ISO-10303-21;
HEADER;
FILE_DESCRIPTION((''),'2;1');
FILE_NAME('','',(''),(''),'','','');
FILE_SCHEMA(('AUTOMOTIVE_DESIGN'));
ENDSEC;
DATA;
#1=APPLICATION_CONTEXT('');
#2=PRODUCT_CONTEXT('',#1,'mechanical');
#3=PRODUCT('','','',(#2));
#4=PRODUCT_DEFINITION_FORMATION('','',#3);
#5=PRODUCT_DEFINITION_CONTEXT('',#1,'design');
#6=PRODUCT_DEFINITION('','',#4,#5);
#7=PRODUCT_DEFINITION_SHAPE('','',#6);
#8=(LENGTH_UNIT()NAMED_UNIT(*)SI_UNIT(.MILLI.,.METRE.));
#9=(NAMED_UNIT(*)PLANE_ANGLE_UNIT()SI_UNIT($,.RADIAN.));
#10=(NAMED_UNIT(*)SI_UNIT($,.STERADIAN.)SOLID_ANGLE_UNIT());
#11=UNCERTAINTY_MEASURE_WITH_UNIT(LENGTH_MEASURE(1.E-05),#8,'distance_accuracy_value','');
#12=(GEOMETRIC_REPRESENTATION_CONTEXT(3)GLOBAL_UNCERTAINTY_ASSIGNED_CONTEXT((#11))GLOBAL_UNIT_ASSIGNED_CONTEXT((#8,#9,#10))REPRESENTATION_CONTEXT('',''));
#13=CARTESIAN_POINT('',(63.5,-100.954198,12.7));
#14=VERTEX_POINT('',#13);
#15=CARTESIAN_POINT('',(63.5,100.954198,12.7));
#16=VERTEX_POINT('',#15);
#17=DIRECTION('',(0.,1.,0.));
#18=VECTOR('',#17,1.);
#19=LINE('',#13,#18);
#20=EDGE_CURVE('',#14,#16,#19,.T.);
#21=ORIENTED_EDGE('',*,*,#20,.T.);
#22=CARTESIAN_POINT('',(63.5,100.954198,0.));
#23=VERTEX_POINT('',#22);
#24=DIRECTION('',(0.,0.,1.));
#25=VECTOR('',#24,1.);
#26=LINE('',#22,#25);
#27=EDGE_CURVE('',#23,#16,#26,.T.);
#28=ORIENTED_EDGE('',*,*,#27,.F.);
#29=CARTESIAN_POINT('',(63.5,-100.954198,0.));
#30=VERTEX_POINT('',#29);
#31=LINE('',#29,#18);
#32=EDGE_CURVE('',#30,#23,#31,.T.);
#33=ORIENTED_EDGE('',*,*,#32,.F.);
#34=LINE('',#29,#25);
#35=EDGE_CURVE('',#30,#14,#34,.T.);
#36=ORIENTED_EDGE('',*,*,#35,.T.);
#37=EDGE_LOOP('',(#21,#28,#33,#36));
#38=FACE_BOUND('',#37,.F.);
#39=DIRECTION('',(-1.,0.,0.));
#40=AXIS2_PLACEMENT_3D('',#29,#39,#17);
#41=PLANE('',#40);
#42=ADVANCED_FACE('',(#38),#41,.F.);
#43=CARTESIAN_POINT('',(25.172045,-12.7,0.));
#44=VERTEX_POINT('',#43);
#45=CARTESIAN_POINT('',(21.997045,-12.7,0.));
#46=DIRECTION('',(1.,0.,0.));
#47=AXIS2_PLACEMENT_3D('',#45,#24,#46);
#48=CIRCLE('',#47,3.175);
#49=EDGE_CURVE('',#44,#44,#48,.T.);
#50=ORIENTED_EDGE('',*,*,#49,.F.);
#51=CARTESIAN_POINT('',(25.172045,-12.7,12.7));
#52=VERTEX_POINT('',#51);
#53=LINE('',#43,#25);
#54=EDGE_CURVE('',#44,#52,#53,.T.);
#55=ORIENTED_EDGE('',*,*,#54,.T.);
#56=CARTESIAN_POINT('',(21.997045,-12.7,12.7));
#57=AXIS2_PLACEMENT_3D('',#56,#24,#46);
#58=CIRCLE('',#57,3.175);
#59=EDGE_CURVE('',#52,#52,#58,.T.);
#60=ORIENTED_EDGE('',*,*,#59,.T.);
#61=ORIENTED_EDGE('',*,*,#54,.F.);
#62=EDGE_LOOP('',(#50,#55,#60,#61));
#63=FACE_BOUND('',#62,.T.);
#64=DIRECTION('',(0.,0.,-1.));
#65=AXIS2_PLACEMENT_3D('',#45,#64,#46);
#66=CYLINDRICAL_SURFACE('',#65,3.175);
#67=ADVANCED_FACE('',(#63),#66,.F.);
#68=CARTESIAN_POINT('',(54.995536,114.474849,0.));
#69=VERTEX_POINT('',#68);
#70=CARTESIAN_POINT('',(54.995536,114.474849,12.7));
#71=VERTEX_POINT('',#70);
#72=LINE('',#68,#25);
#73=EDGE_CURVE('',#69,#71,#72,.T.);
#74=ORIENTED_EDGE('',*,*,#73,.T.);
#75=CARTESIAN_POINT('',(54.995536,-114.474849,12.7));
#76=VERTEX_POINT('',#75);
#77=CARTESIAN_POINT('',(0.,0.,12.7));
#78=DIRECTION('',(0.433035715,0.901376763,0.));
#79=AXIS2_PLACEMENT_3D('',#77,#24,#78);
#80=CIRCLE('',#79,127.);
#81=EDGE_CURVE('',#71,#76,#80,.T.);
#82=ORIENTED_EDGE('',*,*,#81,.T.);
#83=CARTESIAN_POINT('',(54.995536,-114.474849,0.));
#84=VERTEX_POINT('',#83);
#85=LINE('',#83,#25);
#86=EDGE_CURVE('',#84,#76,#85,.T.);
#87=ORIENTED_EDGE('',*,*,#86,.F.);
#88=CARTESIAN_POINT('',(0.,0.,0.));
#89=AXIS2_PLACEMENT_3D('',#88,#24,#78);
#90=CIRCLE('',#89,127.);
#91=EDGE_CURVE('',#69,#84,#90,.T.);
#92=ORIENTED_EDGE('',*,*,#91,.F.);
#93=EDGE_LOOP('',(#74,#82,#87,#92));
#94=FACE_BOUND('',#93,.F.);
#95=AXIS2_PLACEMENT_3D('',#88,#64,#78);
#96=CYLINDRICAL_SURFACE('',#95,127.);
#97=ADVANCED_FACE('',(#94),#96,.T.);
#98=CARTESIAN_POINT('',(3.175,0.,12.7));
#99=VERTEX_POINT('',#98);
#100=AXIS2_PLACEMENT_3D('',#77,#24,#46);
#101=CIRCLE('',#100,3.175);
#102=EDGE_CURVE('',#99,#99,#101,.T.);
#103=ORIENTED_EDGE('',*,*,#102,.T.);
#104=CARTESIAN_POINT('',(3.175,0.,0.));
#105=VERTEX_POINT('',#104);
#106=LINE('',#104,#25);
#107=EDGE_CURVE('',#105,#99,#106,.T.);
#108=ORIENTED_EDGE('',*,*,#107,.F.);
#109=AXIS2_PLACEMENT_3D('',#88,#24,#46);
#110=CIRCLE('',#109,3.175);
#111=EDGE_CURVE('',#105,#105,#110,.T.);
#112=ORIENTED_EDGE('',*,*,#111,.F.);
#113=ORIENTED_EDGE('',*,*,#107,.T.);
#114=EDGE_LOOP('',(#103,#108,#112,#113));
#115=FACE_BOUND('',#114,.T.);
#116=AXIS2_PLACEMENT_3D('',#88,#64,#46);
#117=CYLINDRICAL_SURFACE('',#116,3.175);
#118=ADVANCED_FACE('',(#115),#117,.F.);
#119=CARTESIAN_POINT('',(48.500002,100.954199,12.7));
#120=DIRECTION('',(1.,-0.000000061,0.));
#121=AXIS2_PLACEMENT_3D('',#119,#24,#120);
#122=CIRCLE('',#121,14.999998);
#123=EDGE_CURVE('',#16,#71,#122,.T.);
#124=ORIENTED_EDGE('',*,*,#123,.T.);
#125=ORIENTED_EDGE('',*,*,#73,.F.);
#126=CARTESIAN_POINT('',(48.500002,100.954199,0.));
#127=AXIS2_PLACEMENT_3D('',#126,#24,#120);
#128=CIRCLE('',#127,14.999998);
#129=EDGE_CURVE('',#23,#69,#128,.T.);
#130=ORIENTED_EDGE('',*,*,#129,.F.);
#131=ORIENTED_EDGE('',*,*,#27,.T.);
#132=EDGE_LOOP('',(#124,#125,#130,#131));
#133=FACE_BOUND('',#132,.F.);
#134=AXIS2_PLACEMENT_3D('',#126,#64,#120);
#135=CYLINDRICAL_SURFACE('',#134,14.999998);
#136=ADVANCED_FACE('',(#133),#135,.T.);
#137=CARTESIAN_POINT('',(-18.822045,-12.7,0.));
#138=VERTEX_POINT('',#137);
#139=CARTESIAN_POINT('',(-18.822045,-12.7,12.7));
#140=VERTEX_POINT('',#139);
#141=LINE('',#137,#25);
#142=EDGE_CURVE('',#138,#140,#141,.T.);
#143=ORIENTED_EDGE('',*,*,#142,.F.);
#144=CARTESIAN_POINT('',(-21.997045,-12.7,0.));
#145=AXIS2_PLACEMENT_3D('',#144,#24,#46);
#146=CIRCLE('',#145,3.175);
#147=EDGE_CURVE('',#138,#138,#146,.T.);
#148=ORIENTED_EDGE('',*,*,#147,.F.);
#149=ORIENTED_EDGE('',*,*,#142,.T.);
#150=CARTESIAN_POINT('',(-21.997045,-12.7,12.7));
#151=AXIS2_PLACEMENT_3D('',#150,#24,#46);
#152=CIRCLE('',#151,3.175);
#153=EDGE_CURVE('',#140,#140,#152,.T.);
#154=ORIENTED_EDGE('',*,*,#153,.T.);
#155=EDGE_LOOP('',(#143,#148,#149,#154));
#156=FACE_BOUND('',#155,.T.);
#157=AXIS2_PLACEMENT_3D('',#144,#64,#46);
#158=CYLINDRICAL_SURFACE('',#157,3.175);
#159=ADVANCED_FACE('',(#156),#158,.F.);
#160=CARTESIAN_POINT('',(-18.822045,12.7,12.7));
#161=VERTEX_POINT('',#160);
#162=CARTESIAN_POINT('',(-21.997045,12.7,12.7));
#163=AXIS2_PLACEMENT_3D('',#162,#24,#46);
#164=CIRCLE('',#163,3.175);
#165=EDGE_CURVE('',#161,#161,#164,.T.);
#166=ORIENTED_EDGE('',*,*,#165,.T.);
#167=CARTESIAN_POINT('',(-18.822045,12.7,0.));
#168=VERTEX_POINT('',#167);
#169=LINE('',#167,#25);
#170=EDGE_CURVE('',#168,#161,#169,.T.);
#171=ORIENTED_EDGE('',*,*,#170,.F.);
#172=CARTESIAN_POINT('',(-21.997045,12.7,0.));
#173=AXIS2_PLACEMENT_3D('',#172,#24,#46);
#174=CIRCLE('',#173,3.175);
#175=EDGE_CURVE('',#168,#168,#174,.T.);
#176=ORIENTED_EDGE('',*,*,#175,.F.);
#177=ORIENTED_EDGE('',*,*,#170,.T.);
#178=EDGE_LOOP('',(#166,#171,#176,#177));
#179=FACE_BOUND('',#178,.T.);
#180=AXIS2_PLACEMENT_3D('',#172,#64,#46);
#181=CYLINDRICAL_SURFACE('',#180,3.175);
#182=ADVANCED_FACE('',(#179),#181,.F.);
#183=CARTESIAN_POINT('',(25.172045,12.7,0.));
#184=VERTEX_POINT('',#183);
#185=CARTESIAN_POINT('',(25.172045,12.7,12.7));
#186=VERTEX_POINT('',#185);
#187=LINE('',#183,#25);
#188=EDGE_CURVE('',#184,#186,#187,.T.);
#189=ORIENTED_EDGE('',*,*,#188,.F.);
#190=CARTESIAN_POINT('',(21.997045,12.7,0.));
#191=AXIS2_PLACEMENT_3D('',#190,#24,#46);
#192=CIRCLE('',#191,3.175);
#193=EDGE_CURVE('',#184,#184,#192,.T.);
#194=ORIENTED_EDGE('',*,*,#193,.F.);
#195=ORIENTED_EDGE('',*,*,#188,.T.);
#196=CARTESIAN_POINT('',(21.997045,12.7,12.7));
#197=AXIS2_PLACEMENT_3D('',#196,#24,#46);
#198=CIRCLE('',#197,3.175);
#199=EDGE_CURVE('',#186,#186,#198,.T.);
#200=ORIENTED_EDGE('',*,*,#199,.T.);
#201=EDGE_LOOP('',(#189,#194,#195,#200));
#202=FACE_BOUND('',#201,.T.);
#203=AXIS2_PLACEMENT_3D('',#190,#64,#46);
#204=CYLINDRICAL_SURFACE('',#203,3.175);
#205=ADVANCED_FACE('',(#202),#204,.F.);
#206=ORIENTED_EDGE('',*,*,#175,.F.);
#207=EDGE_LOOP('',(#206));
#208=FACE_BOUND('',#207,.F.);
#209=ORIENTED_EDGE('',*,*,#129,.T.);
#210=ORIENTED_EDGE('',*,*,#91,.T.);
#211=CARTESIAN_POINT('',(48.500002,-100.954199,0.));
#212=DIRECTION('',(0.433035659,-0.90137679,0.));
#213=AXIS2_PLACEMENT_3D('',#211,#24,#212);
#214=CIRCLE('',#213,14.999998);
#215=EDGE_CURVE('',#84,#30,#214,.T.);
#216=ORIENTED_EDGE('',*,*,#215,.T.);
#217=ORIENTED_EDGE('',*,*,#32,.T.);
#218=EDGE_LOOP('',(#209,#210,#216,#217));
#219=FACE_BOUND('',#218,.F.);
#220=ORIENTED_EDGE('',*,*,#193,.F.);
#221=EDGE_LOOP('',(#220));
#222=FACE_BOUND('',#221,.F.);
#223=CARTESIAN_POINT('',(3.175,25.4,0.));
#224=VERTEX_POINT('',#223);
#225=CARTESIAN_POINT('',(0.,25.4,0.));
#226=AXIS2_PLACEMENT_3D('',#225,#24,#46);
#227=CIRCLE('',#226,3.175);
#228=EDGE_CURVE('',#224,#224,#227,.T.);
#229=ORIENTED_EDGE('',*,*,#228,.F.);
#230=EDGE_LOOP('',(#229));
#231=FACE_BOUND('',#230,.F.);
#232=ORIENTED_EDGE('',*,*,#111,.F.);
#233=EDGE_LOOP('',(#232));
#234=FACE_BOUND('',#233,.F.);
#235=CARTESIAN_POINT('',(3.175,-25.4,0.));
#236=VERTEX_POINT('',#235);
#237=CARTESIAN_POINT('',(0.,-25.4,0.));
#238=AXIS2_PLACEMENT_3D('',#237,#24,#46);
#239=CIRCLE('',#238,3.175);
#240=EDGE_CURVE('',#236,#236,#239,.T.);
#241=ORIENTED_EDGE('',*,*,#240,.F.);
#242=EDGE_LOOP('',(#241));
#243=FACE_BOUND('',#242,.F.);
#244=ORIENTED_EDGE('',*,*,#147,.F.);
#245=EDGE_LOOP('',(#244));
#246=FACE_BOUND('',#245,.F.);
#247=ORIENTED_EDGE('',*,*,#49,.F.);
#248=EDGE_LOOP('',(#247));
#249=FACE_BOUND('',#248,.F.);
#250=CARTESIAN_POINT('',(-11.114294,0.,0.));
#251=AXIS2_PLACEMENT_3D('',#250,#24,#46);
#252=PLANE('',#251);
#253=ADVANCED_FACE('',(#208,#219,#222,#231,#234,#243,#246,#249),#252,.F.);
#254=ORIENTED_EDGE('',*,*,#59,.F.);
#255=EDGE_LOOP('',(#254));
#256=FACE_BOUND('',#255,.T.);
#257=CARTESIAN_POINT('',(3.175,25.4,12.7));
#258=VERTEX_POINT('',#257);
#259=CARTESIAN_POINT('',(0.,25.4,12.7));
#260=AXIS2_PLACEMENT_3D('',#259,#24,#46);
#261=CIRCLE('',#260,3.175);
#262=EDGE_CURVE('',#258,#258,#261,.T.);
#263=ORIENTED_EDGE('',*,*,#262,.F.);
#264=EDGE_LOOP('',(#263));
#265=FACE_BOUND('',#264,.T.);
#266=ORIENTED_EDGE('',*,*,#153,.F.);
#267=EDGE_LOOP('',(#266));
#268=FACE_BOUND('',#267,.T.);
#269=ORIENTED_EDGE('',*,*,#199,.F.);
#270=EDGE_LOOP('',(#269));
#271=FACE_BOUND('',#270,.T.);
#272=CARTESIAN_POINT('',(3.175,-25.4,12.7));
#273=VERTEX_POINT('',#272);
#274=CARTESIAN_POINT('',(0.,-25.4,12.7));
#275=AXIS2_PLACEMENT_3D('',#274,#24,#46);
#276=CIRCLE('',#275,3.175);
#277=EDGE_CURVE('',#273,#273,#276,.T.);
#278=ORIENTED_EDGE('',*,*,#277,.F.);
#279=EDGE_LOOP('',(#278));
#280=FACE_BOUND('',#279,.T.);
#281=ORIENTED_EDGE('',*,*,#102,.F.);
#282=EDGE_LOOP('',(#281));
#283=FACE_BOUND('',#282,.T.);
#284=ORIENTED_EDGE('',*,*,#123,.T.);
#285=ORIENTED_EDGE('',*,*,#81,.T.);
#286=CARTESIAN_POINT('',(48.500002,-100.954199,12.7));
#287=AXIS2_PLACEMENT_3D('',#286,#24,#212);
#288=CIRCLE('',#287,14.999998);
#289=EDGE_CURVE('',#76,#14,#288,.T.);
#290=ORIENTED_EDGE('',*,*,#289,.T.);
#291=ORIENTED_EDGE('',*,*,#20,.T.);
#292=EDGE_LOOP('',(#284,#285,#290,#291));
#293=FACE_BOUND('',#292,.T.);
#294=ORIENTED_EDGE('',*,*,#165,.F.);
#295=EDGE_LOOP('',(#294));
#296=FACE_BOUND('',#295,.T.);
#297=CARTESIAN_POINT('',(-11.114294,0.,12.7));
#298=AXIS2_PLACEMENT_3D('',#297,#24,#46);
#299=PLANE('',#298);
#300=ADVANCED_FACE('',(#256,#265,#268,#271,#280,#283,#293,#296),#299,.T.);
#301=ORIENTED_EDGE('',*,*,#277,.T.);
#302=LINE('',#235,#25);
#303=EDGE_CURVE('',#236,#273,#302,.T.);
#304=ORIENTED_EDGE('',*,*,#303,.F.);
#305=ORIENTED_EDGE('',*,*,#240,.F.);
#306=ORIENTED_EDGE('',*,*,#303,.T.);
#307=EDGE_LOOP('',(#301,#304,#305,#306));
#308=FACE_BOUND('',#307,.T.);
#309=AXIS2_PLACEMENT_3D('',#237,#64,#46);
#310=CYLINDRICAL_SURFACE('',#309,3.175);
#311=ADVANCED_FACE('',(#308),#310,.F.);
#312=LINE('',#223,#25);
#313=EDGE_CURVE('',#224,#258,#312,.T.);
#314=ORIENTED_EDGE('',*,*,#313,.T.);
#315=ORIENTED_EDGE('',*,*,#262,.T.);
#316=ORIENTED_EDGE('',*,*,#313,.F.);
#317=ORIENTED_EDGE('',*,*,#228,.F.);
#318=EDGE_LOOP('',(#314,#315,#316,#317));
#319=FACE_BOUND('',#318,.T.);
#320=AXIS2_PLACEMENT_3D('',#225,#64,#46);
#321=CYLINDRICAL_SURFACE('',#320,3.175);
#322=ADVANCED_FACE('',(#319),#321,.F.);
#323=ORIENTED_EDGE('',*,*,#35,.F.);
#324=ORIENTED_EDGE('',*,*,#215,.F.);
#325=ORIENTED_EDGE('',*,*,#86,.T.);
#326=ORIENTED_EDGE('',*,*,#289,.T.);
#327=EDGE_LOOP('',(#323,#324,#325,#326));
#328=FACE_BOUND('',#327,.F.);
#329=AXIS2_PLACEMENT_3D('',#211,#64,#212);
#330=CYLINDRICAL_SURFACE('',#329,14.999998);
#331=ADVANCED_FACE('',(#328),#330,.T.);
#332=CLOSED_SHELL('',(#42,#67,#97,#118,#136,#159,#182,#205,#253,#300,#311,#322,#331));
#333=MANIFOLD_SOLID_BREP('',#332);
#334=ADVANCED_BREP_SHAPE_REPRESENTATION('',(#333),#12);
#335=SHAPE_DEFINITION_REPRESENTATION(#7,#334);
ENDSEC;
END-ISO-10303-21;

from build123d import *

# Parameters (mm, degrees)
F2_DEPTH = 12.7
F3_R     = 3.175
F4_DEPTH = 12.7


with BuildPart() as f2:
    # F1 (on Top) → F2 (new body)
    with BuildSketch(Plane.XY):
        with BuildLine():
            ThreePointArc((63.5, 100.954198), (61.197107, 108.940654), (54.995536, 114.474849))
            ThreePointArc((54.995536, 114.474849), (-127, 0), (54.995536, -114.474849))
            ThreePointArc((54.995536, -114.474849), (61.197107, -108.940654), (63.5, -100.954198))
            Line((63.5, -100.954198), (63.5, 100.954198))
        make_face()
    extrude(amount=F2_DEPTH)

    # F3 (on Top) → F4 (cut, through all)
    with BuildSketch(Plane.XY):
        Circle(F3_R)
        with Locations((0, 25.4)):
            Circle(F3_R)
        with Locations((-21.997045, 12.7)):
            Circle(F3_R)
        with Locations((-21.997045, -12.7)):
            Circle(F3_R)
        with Locations((0, -25.4)):
            Circle(F3_R)
        with Locations((21.997045, -12.7)):
            Circle(F3_R)
        with Locations((21.997045, 12.7)):
            Circle(F3_R)
    extrude(amount=F4_DEPTH, mode=Mode.SUBTRACT)


solid = f2.part
